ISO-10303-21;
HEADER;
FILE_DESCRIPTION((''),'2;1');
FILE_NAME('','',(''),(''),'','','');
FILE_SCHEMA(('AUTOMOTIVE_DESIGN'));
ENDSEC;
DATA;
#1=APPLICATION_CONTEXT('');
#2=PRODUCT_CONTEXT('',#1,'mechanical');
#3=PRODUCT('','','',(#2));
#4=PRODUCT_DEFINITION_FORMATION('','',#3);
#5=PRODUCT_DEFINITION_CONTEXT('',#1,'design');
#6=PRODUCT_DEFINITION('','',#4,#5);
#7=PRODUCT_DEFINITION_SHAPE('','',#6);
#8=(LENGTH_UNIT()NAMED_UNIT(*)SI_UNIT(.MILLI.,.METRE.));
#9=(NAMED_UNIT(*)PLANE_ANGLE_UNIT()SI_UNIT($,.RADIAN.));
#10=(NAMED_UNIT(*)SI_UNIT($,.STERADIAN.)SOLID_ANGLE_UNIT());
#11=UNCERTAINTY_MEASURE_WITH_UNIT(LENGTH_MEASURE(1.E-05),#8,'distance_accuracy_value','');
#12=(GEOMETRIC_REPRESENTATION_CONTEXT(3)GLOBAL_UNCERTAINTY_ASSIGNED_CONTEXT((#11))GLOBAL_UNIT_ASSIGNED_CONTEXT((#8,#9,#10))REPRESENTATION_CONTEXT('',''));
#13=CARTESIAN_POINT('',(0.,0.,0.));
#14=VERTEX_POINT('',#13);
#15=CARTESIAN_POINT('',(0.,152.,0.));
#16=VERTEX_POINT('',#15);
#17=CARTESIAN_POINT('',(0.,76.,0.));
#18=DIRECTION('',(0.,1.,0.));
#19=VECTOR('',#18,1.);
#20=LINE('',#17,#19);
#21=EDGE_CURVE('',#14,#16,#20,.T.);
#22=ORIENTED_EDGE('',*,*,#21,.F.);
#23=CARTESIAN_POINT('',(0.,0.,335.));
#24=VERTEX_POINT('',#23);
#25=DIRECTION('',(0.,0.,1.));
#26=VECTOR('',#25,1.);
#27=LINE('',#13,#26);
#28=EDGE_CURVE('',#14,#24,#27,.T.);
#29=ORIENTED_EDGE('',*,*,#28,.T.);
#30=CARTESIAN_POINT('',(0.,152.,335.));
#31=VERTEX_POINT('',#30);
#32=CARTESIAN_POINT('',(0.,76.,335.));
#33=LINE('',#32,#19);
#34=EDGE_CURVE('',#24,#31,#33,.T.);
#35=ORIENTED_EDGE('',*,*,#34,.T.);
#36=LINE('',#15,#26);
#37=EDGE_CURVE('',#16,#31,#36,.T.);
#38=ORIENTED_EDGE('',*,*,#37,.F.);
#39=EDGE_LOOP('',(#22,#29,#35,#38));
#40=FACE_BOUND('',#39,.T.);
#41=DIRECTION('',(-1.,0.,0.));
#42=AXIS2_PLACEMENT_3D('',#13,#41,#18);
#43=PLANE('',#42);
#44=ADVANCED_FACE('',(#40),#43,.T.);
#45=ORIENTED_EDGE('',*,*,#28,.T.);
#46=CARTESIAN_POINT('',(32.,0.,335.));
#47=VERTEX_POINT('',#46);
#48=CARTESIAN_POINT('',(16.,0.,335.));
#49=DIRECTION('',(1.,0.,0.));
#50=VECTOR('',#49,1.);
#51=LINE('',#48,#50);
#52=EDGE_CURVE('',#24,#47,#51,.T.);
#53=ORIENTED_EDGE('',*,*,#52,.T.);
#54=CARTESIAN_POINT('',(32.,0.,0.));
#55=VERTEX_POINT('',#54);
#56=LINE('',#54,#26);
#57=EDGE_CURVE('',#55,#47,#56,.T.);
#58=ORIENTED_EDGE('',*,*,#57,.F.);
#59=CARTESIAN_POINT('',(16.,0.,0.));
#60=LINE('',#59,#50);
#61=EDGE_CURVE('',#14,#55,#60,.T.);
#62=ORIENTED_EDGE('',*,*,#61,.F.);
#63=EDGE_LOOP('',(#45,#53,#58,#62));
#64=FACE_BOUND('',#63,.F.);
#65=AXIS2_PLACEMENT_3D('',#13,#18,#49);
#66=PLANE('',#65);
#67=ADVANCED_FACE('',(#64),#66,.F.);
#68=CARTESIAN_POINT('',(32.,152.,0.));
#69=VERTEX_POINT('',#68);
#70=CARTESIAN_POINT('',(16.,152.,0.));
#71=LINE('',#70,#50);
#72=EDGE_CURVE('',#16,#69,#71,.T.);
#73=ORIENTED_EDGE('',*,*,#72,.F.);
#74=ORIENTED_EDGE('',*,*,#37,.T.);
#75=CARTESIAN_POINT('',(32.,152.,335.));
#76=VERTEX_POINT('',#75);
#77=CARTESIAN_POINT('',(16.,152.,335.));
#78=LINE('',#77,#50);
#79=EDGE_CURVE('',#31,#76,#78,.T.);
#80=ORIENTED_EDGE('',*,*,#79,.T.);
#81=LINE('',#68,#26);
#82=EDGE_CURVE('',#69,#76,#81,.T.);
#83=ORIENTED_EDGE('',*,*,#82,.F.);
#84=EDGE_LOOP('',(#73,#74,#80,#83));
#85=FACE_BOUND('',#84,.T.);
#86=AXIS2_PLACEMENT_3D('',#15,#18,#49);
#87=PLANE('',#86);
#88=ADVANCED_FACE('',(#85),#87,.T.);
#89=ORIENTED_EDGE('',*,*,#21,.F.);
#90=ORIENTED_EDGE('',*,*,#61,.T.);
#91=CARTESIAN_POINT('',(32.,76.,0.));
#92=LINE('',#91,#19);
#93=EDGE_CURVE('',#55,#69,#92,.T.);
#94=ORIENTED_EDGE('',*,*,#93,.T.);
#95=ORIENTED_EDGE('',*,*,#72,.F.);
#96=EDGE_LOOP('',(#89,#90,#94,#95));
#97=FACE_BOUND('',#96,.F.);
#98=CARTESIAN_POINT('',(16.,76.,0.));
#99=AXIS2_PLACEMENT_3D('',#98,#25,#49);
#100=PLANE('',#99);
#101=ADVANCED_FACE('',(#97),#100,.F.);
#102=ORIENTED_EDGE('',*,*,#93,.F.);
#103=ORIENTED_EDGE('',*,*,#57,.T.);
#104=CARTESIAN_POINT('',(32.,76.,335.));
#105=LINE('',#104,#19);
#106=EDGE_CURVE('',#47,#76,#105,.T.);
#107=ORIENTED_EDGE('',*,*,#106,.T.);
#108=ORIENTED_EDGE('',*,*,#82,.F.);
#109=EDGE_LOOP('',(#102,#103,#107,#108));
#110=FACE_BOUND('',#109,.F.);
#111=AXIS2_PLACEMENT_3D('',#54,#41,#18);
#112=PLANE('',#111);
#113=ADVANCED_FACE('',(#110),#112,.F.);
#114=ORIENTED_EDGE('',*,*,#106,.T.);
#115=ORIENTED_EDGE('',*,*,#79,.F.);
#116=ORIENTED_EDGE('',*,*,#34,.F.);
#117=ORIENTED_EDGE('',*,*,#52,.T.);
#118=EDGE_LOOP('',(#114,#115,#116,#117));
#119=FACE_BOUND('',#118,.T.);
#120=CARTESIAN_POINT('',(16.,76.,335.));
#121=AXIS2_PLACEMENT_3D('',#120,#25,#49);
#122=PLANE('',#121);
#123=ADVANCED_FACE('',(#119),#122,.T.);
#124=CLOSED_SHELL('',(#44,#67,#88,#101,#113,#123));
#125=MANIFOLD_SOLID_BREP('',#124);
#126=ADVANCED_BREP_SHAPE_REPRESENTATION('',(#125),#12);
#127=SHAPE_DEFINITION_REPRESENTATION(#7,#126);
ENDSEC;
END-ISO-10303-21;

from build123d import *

# Parameters (mm, degrees)
BOX_W     = 32
BOX_H     = 152
BOX_DEPTH = 335


with BuildPart() as part:
    # Box → Box (new body)
    with BuildSketch(Plane.XY):
        with Locations((16, 76)):
            Rectangle(BOX_W, BOX_H)
    extrude(amount=BOX_DEPTH)


solid = part.part
